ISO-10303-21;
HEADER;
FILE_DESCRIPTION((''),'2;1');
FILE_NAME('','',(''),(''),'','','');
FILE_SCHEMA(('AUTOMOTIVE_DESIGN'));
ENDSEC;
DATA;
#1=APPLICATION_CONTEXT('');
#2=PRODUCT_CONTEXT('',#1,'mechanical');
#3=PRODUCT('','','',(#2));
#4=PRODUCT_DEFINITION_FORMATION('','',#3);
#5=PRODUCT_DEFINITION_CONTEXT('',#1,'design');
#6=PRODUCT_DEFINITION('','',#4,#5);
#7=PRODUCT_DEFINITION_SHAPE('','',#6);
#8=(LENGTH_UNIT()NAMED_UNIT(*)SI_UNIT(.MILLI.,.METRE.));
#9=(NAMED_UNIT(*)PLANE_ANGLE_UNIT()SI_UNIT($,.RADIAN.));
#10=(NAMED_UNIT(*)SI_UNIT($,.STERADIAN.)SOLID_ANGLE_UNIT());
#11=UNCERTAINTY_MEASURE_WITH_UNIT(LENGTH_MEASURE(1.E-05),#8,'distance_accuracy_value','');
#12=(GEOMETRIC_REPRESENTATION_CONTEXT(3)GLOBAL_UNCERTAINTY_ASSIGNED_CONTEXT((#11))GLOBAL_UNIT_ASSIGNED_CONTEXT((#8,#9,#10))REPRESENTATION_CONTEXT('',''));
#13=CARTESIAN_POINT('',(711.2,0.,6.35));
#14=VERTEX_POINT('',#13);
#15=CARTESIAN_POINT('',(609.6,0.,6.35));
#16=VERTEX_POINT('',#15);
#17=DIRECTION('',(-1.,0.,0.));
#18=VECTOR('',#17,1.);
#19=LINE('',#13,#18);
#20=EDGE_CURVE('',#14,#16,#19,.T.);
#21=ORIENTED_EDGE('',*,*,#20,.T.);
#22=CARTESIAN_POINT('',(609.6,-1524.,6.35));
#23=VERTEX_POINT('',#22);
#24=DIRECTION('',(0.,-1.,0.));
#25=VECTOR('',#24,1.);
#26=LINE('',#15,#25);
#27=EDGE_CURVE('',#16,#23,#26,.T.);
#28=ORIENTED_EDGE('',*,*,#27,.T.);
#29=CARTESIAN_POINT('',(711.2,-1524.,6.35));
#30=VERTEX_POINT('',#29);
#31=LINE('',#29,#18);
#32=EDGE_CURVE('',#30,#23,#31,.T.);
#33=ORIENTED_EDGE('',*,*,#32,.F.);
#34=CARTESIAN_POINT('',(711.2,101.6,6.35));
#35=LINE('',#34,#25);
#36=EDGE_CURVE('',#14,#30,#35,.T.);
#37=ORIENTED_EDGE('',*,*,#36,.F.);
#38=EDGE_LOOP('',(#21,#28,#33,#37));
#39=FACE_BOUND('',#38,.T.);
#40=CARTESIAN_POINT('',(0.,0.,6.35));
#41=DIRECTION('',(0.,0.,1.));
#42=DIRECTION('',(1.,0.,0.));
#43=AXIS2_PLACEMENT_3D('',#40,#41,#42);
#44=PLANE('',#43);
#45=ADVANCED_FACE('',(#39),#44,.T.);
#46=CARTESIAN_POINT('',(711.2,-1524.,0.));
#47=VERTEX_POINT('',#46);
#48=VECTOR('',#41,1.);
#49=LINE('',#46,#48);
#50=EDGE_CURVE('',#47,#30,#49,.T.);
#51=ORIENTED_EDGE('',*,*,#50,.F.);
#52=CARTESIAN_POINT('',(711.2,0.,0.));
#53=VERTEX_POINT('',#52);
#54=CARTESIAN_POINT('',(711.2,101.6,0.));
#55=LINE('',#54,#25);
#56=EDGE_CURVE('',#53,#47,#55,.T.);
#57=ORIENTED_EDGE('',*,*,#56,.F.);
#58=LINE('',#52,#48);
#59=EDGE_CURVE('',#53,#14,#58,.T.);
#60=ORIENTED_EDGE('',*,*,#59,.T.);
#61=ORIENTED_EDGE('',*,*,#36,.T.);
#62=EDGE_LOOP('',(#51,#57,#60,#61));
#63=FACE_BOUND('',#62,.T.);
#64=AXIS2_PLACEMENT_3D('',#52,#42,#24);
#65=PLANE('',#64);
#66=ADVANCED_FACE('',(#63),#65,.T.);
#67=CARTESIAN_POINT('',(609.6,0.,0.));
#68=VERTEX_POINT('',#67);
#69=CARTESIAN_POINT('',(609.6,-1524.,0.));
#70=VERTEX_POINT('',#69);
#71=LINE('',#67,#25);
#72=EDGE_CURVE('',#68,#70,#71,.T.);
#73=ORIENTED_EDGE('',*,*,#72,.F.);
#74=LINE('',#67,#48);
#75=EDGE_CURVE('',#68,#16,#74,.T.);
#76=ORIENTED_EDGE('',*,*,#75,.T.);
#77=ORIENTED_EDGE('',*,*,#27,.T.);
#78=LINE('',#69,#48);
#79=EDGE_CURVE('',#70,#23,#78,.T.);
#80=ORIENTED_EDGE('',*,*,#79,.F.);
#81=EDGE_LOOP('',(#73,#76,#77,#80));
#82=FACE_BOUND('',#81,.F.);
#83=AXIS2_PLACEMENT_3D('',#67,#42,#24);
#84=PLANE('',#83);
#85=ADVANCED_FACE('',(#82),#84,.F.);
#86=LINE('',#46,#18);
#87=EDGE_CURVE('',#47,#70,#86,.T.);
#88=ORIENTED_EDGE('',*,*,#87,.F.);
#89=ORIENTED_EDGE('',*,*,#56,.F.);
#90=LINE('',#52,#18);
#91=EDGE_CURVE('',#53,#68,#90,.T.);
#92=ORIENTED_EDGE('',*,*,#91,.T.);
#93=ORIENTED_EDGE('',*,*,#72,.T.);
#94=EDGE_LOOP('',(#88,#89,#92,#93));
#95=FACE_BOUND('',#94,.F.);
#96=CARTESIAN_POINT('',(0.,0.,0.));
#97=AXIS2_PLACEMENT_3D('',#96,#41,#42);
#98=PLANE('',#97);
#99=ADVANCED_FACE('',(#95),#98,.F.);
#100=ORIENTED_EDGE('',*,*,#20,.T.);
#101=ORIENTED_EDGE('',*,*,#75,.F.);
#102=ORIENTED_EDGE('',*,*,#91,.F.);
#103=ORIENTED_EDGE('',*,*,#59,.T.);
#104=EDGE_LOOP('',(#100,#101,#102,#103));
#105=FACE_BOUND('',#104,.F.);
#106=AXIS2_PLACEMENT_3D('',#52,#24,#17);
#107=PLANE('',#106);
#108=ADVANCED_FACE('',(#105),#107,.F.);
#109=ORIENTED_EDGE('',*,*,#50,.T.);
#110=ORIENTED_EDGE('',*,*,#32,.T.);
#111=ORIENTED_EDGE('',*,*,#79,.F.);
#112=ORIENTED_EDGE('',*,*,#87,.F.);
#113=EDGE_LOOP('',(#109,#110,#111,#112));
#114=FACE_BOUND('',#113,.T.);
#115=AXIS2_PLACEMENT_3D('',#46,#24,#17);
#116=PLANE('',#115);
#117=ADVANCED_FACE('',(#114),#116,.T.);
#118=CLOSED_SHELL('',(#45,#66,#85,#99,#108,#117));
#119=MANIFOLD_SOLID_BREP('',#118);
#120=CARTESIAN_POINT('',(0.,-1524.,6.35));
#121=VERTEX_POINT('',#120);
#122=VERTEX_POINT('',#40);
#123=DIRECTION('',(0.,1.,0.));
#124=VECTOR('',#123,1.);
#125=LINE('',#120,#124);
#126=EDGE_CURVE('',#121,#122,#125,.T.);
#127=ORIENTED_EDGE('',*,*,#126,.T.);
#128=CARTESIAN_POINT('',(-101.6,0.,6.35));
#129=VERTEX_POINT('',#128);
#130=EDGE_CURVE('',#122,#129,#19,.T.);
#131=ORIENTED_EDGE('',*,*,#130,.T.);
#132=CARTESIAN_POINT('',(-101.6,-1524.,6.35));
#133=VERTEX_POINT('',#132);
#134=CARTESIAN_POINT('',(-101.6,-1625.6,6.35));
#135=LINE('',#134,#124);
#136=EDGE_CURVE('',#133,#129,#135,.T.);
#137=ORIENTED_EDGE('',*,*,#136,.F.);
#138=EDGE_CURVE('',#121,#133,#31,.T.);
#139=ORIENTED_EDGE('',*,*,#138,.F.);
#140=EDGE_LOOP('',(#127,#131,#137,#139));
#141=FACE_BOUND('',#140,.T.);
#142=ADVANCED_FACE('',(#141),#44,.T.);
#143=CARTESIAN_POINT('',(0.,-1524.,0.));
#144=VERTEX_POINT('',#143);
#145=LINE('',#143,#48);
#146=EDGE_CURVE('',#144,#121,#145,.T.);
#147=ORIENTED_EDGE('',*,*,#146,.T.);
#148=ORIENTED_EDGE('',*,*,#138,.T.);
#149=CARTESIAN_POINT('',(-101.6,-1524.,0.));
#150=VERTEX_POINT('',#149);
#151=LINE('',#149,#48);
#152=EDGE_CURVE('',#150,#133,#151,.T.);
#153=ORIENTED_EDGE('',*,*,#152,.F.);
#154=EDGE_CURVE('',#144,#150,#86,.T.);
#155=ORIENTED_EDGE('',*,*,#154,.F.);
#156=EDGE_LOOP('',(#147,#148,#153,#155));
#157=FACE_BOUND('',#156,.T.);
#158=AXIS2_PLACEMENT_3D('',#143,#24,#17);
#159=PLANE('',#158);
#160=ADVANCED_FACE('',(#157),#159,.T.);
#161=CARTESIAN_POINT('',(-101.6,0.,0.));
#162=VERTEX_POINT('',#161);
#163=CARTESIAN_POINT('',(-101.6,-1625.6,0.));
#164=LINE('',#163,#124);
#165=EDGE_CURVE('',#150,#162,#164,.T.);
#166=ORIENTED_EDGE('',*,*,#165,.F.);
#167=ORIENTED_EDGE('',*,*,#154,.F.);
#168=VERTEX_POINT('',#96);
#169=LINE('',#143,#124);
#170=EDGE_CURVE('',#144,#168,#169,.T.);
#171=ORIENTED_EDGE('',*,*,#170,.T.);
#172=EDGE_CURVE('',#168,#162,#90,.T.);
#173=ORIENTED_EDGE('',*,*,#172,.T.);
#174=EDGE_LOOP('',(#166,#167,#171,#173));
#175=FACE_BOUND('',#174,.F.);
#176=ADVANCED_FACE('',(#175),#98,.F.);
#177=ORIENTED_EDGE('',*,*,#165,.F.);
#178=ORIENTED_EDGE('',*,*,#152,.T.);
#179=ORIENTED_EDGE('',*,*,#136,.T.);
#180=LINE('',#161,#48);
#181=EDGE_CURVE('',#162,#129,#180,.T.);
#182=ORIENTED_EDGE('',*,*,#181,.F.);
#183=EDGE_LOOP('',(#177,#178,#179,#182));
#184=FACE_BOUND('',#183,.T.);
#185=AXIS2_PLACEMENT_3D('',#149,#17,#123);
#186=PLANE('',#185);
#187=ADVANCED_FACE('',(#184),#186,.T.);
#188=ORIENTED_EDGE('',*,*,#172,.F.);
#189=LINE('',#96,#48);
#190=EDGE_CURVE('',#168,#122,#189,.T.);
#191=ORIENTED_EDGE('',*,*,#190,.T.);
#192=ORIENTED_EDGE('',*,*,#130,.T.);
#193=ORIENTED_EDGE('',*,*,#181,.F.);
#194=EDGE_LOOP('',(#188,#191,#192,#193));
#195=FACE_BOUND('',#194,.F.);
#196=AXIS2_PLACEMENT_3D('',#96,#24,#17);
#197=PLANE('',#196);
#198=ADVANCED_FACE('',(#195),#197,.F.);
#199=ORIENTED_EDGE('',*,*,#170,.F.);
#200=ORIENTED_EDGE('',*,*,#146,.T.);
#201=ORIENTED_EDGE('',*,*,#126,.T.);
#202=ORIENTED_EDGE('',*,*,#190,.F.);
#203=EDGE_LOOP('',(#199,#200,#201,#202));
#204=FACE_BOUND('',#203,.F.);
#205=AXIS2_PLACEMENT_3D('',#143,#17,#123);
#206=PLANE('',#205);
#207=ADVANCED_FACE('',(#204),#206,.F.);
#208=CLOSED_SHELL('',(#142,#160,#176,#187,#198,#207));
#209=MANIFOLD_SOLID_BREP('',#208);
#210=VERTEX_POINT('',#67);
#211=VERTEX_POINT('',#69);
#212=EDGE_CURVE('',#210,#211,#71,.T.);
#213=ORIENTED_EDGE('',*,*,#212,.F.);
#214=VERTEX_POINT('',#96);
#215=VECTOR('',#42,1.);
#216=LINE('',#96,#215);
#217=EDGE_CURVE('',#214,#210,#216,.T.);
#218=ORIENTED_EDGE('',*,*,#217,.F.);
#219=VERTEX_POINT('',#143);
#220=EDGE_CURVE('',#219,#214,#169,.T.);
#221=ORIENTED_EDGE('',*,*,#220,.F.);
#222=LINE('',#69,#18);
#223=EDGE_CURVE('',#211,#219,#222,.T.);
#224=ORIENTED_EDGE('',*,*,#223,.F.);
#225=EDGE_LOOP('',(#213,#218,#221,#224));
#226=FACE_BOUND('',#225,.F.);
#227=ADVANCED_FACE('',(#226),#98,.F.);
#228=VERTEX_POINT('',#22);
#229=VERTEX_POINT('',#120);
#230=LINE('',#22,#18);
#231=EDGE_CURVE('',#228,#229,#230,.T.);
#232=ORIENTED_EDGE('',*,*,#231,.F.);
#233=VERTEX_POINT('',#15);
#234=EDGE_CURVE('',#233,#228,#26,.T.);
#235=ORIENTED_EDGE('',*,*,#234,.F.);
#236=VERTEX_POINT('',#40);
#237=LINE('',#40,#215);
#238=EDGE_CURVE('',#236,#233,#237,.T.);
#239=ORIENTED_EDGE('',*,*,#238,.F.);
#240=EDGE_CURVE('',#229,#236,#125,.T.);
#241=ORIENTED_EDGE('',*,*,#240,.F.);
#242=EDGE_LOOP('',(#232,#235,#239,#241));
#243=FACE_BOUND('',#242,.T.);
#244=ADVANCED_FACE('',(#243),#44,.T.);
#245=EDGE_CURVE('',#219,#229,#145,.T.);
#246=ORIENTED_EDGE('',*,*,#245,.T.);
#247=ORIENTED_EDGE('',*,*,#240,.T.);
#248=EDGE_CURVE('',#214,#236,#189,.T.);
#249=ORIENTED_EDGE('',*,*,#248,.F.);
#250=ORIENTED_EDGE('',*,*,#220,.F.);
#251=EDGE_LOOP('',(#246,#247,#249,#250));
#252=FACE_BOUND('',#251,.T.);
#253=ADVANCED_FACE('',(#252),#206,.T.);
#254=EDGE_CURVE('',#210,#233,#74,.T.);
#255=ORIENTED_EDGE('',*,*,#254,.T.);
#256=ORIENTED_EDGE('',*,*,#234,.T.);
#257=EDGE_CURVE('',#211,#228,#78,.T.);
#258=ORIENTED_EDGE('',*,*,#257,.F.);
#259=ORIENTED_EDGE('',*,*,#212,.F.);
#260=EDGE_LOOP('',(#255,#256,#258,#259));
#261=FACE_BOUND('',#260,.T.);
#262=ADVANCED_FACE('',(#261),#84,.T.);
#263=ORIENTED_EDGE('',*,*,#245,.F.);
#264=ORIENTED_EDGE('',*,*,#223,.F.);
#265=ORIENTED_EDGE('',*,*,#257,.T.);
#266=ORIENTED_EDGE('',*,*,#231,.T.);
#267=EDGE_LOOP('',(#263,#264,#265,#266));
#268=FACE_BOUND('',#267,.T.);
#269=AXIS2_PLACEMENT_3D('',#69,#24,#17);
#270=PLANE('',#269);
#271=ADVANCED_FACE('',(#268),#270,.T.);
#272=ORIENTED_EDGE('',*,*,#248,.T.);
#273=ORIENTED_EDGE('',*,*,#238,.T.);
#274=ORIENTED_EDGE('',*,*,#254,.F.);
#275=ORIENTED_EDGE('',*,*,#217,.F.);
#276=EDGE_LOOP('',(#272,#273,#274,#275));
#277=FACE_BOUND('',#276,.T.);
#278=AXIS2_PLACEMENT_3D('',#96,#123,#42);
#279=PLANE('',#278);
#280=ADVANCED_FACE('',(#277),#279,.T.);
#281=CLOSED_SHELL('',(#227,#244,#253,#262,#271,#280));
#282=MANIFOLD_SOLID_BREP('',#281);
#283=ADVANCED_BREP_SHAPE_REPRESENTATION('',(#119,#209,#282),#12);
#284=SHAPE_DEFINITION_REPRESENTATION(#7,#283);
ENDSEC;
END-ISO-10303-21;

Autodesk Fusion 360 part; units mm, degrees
sketch "Sketch1" plane through (0, 0, 0) normal (0, 0, 1) x (1, 0, 0)
  line L0 (0, 0) -> (609.6, 0)
  line L1 (609.6, 0) -> (609.6, -1524)
  line L2 (609.6, -1524) -> (0, -1524)
  line L3 (0, -1524) -> (0, 0)
  line L4 (711.2, 101.6) -> (711.2, -1625.6)
  line L5 (711.2, -1625.6) -> (-101.6, -1625.6)
  line L6 (-101.6, -1625.6) -> (-101.6, 101.6)
  line L7 (-101.6, 101.6) -> (711.2, 101.6)
  line L8 (-101.6, 101.6) -> (711.2, 101.6)
  line L9 (711.2, 101.6) -> (711.2, 0)
  line L10 (711.2, 0) -> (-101.6, 0)
  line L11 (-101.6, 0) -> (-101.6, 101.6)
  line L12 (-101.6, -1625.6) -> (711.2, -1625.6)
  line L13 (711.2, -1625.6) -> (711.2, -1524)
  line L14 (711.2, -1524) -> (-101.6, -1524)
  line L15 (-101.6, -1524) -> (-101.6, -1625.6)
  dimension "d1" = 609.6
  dimension "d2" = 1524
  dimension "d3" = -101.6
  dimension "d4" = 101.6
  dimension "d5" = 101.6
extrude "Extrude1" add sketch "Sketch1" along normal blind 6.35 contours L0 L1 L2 L3 L10 L14 makes body 1
extrude "Extrude1'" add sketch "Sketch1" along normal blind 6.35 separate body contours L3 L6 L10 L14 | L1 L4 L10 L14 makes body 2 at (-67.7333, -1016, 0) makes body 3 at (643.4667, -1016, 0) in component "Straight"
copy_body "CutPasteBodies1" bodies 1 removing the originals makes body 4 in component "Straight"
component "Straight" placed x (1, 0, 0) y (0, 1, 0) z (0, 0, 1) at (0, 0, 0)
